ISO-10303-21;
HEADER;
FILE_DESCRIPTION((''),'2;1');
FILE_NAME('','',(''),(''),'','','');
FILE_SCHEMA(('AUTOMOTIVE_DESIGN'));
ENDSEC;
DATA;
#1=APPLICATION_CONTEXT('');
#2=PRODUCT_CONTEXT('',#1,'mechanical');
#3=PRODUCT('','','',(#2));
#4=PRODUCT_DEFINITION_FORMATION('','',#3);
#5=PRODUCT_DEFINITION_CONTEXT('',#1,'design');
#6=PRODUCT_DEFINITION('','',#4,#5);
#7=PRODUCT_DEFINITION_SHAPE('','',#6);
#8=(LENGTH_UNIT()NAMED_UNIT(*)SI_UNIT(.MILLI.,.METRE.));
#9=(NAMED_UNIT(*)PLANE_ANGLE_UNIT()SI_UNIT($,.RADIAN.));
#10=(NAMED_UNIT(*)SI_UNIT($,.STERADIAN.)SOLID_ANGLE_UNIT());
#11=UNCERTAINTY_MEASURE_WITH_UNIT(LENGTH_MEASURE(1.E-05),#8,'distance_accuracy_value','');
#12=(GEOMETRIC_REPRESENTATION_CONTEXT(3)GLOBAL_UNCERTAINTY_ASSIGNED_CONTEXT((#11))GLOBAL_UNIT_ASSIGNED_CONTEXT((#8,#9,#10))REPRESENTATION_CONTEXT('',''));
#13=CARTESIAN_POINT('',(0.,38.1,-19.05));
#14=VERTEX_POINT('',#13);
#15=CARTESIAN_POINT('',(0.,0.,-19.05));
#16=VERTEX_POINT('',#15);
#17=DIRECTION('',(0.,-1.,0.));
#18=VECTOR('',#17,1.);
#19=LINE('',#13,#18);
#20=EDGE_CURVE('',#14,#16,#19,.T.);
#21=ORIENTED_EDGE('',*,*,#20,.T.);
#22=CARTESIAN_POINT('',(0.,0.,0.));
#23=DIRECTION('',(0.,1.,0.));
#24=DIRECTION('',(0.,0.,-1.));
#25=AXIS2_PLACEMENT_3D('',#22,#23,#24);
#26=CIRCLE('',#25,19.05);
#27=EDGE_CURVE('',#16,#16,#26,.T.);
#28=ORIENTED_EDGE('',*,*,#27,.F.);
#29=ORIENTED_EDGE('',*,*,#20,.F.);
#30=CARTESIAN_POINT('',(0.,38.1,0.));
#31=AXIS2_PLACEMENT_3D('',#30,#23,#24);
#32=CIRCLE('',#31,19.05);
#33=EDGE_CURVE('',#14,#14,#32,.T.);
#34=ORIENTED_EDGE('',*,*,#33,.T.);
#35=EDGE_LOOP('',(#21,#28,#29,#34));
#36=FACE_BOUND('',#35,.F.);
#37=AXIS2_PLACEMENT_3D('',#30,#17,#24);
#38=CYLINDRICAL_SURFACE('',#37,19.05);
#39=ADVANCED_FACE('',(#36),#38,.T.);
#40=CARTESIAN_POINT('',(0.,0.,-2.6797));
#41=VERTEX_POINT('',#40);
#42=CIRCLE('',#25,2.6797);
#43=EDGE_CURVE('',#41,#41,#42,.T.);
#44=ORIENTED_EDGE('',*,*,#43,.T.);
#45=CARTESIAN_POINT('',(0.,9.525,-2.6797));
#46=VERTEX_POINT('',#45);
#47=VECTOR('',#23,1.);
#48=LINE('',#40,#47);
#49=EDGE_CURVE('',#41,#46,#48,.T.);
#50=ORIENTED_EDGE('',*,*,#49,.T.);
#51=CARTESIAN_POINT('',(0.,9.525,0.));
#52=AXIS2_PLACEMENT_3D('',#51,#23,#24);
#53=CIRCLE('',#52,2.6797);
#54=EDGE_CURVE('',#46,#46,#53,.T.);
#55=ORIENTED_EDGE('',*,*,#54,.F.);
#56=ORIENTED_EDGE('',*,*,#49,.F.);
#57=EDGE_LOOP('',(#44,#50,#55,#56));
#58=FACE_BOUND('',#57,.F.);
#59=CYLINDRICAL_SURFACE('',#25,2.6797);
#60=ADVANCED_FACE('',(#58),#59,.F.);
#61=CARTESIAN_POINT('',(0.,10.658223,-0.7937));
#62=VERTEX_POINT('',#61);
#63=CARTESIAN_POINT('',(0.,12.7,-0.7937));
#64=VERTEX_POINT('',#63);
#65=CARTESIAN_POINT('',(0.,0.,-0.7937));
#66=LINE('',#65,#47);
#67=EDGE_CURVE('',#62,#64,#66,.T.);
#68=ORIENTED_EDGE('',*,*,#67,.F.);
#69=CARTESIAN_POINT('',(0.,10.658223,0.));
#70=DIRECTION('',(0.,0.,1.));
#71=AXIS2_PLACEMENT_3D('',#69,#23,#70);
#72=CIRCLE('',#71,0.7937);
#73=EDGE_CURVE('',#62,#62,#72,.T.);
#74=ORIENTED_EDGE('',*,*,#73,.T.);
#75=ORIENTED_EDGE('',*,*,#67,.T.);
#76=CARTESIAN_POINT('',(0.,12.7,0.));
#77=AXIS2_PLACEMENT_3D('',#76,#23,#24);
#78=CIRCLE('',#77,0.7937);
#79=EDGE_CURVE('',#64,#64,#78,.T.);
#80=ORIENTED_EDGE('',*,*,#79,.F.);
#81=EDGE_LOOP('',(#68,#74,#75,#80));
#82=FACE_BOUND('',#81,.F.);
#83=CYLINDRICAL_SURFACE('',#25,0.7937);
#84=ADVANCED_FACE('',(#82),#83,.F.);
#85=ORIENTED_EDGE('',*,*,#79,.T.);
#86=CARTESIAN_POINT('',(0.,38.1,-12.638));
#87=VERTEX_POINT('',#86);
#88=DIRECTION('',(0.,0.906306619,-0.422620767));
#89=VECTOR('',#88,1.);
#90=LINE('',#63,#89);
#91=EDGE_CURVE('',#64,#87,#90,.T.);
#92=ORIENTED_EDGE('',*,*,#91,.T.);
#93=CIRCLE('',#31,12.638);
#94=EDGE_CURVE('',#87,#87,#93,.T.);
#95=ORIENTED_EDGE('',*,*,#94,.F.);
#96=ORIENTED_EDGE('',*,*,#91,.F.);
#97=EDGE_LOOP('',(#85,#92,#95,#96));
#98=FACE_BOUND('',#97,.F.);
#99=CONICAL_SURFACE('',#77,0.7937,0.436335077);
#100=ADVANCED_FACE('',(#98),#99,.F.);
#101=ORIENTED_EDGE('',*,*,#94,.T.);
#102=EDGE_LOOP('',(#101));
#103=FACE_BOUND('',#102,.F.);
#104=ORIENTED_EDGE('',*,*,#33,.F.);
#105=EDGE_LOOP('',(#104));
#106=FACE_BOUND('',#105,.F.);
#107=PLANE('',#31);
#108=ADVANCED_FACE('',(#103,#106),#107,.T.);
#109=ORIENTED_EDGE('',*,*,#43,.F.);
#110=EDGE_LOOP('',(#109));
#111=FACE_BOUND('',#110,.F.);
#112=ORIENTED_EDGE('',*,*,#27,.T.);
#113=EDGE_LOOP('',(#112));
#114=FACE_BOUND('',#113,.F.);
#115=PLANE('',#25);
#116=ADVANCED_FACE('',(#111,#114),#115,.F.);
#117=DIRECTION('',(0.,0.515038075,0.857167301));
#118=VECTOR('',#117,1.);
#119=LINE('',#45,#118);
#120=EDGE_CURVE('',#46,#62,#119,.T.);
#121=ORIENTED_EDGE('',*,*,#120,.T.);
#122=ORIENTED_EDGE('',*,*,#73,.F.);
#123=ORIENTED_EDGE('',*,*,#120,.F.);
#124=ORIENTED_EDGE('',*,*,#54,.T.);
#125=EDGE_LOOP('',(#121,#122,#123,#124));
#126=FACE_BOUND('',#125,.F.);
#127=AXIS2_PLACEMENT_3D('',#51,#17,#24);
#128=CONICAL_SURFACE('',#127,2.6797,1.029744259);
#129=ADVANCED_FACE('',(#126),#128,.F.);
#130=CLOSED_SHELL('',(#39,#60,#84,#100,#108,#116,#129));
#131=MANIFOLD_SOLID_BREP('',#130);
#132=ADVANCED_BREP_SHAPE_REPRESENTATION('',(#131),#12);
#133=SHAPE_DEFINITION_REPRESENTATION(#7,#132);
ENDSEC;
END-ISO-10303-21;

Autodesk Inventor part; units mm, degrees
ref_plane "YZ Plane" through (0, 0, 0) normal (1, 0, 0) x (0, 1, 0)
ref_plane "XZ Plane" through (0, 0, 0) normal (0, 1, 0) x (-1, 0, 0)
ref_plane "XY Plane" through (0, 0, 0) normal (0, 0, 1) x (1, 0, 0)
sketch "Sketch1" plane through (0, 0, 0) normal (1, 0, 0) x (0, 1, 0)
  line L0 (0, 0) -> (38.1, 0)
  line L1 (38.1, 0) -> (38.1, -19.05)
  line L2 (38.1, -19.05) -> (0, -19.05)
  line L3 (0, -19.05) -> (0, 0)
  line L4 (0, 0) -> (0, -0.7937)
  line L5 (0, -0.7937) -> (12.7, -0.7937)
  line L6 (12.7, -0.7937) -> (38.1, -12.638) construction
  line L7 (38.1, -12.638) -> (38.1, 0)
  line L8 (0, 0) -> (0, -0.7937)
  line L9 (12.7, -0.7937) -> (38.1, -12.638)
  line L10 (12.7, -0.7937) -> (40.7258, -0.7937) construction
  line L11 (0, -19.05) -> (5.8372, -13.2128)
  line L12 (0, -19.05) -> (8.255, -19.05) construction
  point P0 (8.255, 8.255)
  dimension "partH" = 38.1
  dimension "partR" = 19.05
  dimension "tubeID" = 0.7937
  dimension "straightDepth" = 12.7
  dimension "funnelTaperAngle" = 155
  dimension "taperAngle" = 25
  dimension "d15" = 8.255
  dimension "d16" = 45
revolve "Revolution1" add sketch "Sketch1" angle 360 about axis through (0, 0, 0) along (0, 1, 0) contours L5 L9 L1 L2 L3
sketch "Sketch2" plane through (0, 0, 0) normal (0, -1, 0) x (1, 0, 0)
  point P0 (0, 0)
  point P1 (0, 0)
hole "Hole1" at (0, 0, 0) direction (0, 1, 0) diameter 5.3594 depth 9.525 tip angle 118 thread size "1/4-28 UNF" class "2B" standard "ANSI Unified Screw Threads"
sketch "Sketch3" plane through (0, 0, 0) normal (0, -1, 0) x (1, 0, 0)
  circle A0 centre (0, 0) radius 0.7937 projected
  line L0 (0, 0) -> (0, -19.05)
  circle A1 centre (0, 0) radius 19.05 projected
ref_plane "Work Plane1" through (0, 0, 0) normal (-1, 0, 0) x (0, 0, -1)
sketch "Sketch4" plane through (0, 0, 0) normal (-1, 0, 0) x (0, 0, -1)
  line L0 (19.05, 0) -> (-19.05, 0) projected
  line L1 (-19.05, 0) -> (-11.8658, -7.1842)
  line L2 (-19.05, 0) -> (-8.89, 0) construction
  line L3 (19.05, 0) -> (11.8658, -7.1842)
  line L4 (19.05, 0) -> (29.21, 0) construction
  point P0 (0, 0)
  dimension "d18" = 10.16
  dimension "d19" = 45
  dimension "d20" = 10.16
  dimension "d21" = 135
properties part number "ptfe_catch_no_mount"
